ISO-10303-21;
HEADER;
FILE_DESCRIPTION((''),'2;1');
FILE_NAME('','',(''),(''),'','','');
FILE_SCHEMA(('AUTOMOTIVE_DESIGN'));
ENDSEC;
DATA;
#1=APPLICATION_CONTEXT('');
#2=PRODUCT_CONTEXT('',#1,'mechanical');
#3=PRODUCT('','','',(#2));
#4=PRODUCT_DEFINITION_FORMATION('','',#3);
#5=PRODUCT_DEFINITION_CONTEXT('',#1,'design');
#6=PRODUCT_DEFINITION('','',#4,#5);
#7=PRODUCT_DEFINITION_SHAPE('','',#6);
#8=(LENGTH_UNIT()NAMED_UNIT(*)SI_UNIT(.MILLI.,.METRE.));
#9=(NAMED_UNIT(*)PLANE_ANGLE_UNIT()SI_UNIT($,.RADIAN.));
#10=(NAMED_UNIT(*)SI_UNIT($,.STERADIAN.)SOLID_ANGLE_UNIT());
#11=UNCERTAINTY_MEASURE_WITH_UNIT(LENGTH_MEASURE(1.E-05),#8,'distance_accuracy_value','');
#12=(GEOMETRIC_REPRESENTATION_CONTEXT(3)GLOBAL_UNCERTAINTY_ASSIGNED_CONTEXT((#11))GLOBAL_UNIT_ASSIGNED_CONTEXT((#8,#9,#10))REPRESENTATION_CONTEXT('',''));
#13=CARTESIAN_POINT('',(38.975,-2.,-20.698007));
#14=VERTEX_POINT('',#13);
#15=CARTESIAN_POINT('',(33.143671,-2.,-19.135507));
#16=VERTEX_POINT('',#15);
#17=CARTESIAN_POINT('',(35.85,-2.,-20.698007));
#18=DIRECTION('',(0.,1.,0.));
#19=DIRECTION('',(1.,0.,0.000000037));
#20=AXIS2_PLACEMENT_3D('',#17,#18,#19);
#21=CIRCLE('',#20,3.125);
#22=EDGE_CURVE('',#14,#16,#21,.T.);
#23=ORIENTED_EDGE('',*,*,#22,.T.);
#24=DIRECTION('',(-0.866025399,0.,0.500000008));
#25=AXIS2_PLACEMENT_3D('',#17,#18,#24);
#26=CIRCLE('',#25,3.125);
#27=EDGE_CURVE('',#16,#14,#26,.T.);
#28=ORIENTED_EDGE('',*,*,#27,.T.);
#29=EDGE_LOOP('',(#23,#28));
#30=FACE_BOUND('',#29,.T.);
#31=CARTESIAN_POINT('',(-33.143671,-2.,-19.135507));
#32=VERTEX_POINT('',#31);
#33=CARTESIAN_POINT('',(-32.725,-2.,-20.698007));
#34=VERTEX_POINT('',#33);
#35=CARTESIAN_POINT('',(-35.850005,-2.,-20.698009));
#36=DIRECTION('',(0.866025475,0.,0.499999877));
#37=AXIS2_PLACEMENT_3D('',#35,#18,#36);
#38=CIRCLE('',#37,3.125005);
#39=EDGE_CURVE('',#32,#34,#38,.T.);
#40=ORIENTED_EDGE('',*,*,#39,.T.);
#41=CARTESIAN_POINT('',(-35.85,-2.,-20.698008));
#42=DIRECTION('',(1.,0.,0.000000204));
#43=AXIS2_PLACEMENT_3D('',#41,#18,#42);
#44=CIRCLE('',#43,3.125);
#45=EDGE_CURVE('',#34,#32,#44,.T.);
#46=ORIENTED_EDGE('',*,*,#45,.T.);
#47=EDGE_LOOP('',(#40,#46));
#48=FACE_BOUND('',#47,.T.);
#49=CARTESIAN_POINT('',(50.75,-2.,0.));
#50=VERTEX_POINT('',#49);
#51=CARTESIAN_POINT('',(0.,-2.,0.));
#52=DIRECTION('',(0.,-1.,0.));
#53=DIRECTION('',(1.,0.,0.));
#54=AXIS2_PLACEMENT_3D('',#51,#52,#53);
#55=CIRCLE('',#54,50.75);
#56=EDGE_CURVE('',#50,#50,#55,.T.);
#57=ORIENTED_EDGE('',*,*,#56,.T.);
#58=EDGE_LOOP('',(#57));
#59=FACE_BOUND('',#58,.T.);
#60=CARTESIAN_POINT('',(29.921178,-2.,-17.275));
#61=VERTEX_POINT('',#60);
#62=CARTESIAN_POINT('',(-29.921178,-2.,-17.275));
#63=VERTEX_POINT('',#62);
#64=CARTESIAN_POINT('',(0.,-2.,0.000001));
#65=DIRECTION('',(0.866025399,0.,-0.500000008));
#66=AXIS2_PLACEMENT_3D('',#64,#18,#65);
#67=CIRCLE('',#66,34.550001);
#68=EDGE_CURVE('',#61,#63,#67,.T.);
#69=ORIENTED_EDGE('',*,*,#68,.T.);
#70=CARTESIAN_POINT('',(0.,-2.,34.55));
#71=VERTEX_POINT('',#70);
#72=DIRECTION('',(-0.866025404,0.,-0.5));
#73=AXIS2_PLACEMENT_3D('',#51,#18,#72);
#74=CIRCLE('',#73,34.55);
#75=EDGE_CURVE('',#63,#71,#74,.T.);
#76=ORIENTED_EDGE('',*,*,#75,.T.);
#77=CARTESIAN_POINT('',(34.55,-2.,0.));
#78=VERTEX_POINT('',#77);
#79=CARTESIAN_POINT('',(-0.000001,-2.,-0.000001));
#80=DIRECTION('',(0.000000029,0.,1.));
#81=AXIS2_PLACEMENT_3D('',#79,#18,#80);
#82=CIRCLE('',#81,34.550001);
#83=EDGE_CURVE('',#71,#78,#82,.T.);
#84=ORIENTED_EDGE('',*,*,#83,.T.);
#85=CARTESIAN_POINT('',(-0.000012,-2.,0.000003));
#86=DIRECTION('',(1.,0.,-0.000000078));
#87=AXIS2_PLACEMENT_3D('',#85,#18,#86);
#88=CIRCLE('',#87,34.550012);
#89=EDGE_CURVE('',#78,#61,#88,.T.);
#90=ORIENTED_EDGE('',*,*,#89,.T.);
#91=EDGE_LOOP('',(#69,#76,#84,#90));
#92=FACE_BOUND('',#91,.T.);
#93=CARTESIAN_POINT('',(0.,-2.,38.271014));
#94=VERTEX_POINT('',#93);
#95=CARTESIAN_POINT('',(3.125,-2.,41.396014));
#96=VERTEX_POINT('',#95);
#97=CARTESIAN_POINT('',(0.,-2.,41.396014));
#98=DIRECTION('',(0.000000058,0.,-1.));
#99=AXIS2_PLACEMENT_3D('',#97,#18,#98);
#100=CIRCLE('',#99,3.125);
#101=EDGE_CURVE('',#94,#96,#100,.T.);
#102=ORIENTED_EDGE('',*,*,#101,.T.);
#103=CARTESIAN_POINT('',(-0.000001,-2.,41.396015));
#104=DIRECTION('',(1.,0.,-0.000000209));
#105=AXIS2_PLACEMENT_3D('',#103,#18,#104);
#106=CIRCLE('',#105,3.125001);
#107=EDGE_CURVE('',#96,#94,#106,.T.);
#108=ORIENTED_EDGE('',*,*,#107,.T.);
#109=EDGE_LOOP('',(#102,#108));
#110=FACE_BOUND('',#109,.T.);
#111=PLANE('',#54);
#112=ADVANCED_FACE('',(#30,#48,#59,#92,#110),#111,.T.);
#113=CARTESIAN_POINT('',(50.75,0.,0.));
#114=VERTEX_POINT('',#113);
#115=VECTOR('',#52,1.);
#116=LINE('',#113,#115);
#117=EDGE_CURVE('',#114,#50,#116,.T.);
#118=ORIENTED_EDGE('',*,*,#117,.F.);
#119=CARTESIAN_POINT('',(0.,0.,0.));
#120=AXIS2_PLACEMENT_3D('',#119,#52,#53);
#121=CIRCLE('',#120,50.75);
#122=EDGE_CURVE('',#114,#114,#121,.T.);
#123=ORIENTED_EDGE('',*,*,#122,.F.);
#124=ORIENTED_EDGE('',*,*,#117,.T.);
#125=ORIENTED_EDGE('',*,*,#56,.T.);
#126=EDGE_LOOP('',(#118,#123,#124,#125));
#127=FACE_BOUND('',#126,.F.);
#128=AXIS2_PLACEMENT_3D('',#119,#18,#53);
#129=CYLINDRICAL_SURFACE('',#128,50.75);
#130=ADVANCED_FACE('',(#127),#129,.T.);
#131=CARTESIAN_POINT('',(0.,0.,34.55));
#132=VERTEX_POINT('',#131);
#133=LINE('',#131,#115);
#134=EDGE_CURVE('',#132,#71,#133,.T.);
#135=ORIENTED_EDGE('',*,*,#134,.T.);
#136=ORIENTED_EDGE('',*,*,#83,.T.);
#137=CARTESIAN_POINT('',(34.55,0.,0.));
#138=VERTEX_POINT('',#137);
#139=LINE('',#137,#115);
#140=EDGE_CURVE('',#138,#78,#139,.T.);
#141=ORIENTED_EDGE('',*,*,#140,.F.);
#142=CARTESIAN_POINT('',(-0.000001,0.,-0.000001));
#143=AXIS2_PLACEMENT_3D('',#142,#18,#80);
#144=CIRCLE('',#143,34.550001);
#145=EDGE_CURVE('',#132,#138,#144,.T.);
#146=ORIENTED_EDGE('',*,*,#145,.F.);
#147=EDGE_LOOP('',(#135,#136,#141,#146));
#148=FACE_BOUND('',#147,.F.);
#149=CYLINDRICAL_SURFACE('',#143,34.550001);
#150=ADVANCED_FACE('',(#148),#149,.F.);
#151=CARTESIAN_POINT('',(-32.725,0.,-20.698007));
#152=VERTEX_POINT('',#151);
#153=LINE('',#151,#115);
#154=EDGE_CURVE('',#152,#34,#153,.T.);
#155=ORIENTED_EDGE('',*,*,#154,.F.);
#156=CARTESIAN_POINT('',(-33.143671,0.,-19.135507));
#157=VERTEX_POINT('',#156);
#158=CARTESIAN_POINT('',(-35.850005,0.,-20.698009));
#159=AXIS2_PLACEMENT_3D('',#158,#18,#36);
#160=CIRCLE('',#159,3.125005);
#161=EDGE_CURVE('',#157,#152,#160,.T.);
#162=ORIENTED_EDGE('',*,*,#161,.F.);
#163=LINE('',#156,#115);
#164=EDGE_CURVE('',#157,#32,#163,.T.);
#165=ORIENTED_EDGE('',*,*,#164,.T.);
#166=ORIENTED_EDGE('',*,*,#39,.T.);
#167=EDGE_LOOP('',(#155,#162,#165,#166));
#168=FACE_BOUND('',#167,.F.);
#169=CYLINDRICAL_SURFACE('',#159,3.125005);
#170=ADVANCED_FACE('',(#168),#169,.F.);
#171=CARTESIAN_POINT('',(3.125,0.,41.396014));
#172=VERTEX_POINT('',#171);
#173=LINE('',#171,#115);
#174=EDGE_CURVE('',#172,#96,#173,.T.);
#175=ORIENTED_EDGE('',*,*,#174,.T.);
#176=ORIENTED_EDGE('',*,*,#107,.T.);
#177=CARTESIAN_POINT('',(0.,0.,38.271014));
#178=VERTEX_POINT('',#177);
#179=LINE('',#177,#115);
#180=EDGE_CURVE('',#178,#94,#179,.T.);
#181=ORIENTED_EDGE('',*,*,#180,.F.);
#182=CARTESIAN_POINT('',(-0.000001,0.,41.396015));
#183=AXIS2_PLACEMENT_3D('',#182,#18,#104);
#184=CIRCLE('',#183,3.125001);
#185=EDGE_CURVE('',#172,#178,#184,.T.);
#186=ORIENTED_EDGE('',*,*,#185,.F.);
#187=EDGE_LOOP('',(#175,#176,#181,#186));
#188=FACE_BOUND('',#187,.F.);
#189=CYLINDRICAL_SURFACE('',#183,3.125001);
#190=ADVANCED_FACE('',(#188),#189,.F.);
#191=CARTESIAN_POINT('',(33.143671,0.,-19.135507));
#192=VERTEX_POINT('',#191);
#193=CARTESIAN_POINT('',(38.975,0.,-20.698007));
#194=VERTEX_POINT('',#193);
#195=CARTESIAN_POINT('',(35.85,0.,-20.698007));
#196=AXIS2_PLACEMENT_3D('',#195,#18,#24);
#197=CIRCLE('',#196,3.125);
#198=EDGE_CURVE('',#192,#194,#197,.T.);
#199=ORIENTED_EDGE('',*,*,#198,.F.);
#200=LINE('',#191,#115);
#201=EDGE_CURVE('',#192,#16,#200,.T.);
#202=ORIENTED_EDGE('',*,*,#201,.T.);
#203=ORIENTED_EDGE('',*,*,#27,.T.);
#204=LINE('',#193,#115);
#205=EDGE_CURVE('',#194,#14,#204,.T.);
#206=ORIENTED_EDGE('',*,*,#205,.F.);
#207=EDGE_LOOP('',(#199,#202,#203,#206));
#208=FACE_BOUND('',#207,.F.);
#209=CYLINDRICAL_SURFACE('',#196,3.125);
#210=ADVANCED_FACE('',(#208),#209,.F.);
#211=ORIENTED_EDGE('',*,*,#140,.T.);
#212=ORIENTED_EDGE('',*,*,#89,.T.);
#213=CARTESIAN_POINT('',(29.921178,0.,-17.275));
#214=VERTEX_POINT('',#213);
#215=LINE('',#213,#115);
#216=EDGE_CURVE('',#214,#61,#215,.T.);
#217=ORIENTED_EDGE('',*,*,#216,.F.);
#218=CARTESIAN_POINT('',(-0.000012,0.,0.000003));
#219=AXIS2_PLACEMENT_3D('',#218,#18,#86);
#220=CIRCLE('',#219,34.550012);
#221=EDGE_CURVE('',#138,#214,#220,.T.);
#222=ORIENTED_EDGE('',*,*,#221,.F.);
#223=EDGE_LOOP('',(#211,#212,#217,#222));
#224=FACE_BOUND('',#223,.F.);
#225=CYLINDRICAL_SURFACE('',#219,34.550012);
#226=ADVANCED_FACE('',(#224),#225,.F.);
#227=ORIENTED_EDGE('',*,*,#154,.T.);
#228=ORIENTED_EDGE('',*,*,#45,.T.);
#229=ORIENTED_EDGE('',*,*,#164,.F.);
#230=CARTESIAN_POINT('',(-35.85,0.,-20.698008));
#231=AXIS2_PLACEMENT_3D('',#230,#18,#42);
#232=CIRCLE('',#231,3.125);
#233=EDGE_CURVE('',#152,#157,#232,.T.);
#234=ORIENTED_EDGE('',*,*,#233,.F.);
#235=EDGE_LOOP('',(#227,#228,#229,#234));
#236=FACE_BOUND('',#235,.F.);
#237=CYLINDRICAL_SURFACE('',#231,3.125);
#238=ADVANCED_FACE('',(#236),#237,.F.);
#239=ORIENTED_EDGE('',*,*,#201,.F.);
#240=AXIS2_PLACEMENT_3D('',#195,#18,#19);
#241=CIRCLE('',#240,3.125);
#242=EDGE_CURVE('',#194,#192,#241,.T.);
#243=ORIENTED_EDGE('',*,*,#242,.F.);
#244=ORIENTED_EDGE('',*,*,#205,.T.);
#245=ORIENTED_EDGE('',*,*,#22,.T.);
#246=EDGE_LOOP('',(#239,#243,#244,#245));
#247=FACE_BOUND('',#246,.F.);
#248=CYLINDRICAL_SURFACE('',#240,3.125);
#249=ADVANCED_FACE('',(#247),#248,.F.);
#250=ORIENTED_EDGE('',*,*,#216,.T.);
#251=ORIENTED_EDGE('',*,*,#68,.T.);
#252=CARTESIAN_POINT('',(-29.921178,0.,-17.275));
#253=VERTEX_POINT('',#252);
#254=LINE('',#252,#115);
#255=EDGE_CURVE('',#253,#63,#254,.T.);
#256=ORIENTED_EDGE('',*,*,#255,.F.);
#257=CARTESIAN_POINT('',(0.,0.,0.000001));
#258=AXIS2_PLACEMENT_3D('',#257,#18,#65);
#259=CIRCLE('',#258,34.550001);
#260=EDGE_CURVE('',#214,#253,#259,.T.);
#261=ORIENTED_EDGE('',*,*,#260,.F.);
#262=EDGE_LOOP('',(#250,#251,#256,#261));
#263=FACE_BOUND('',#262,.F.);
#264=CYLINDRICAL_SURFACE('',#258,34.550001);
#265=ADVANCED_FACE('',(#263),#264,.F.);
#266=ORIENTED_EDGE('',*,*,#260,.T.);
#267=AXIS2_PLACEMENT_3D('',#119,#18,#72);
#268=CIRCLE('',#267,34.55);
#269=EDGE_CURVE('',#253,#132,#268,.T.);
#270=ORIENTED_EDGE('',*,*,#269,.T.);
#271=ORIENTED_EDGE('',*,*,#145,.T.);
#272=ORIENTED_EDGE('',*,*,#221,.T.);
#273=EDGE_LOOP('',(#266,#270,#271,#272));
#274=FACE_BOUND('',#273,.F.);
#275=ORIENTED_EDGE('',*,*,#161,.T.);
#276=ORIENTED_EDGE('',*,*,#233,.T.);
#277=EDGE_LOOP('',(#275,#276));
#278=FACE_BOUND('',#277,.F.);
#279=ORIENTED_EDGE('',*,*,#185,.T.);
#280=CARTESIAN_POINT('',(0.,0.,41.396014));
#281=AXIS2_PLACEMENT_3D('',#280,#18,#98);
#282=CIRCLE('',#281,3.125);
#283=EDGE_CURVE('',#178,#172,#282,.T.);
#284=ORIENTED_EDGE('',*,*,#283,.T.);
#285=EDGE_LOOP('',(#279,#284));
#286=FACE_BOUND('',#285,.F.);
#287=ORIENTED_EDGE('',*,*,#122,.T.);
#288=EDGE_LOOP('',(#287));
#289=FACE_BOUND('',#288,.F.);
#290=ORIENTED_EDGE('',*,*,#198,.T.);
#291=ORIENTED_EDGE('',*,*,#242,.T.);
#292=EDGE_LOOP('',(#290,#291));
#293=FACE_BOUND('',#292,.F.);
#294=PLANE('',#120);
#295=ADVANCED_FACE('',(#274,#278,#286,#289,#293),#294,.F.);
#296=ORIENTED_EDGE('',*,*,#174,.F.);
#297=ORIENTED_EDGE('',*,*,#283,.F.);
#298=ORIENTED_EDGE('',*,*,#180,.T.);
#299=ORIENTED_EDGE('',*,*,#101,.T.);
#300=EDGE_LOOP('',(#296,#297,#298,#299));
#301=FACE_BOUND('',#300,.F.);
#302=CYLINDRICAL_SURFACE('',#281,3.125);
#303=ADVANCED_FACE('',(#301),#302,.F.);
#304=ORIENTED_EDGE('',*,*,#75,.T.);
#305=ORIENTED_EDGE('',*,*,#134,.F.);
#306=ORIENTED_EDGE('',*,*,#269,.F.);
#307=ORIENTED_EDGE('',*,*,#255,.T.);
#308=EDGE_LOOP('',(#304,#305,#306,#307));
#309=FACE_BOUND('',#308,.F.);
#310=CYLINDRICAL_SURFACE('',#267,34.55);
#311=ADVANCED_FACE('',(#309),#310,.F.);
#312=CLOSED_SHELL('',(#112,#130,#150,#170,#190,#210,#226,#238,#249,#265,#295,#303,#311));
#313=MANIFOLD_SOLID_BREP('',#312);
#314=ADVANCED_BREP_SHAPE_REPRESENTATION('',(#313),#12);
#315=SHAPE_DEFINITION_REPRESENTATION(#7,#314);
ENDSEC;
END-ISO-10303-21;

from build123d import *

# Parameters (mm, degrees)
F0_R     = 50.75
F1_DEPTH = 2


with BuildPart() as f1:
    # F0 (on Front) → F1 (new body)
    with BuildSketch(Plane.XZ):
        Circle(F0_R)
        with BuildLine():
            ThreePointArc((-32.725, -20.698007), (-38.868518, -21.506817), (-33.143671, -19.135507))
            ThreePointArc((-33.143671, -19.135507), (-32.831482, -19.889198), (-32.725, -20.698007))
        make_face(mode=Mode.SUBTRACT)
        with BuildLine():
            ThreePointArc((38.975, -20.698007), (35.04119, -23.716525), (33.143671, -19.135507))
            ThreePointArc((33.143671, -19.135507), (36.65881, -17.679489), (38.975, -20.698007))
        make_face(mode=Mode.SUBTRACT)
        with BuildLine():
            ThreePointArc((-29.921178, -17.275), (-29.921178, 17.275), (0, 34.55))
            ThreePointArc((0, 34.55), (24.430539, 24.430539), (34.55, 0))
            ThreePointArc((34.55, 0), (33.372737, -8.942198), (29.921178, -17.275))
            ThreePointArc((29.921178, -17.275), (0, -34.55), (-29.921178, -17.275))
        make_face(mode=Mode.SUBTRACT)
        with BuildLine():
            ThreePointArc((0, 38.271014), (-2.209709, 43.605723), (3.125, 41.396014))
            ThreePointArc((3.125, 41.396014), (2.209709, 39.186306), (0, 38.271014))
        make_face(mode=Mode.SUBTRACT)
    extrude(amount=F1_DEPTH)


solid = f1.part
